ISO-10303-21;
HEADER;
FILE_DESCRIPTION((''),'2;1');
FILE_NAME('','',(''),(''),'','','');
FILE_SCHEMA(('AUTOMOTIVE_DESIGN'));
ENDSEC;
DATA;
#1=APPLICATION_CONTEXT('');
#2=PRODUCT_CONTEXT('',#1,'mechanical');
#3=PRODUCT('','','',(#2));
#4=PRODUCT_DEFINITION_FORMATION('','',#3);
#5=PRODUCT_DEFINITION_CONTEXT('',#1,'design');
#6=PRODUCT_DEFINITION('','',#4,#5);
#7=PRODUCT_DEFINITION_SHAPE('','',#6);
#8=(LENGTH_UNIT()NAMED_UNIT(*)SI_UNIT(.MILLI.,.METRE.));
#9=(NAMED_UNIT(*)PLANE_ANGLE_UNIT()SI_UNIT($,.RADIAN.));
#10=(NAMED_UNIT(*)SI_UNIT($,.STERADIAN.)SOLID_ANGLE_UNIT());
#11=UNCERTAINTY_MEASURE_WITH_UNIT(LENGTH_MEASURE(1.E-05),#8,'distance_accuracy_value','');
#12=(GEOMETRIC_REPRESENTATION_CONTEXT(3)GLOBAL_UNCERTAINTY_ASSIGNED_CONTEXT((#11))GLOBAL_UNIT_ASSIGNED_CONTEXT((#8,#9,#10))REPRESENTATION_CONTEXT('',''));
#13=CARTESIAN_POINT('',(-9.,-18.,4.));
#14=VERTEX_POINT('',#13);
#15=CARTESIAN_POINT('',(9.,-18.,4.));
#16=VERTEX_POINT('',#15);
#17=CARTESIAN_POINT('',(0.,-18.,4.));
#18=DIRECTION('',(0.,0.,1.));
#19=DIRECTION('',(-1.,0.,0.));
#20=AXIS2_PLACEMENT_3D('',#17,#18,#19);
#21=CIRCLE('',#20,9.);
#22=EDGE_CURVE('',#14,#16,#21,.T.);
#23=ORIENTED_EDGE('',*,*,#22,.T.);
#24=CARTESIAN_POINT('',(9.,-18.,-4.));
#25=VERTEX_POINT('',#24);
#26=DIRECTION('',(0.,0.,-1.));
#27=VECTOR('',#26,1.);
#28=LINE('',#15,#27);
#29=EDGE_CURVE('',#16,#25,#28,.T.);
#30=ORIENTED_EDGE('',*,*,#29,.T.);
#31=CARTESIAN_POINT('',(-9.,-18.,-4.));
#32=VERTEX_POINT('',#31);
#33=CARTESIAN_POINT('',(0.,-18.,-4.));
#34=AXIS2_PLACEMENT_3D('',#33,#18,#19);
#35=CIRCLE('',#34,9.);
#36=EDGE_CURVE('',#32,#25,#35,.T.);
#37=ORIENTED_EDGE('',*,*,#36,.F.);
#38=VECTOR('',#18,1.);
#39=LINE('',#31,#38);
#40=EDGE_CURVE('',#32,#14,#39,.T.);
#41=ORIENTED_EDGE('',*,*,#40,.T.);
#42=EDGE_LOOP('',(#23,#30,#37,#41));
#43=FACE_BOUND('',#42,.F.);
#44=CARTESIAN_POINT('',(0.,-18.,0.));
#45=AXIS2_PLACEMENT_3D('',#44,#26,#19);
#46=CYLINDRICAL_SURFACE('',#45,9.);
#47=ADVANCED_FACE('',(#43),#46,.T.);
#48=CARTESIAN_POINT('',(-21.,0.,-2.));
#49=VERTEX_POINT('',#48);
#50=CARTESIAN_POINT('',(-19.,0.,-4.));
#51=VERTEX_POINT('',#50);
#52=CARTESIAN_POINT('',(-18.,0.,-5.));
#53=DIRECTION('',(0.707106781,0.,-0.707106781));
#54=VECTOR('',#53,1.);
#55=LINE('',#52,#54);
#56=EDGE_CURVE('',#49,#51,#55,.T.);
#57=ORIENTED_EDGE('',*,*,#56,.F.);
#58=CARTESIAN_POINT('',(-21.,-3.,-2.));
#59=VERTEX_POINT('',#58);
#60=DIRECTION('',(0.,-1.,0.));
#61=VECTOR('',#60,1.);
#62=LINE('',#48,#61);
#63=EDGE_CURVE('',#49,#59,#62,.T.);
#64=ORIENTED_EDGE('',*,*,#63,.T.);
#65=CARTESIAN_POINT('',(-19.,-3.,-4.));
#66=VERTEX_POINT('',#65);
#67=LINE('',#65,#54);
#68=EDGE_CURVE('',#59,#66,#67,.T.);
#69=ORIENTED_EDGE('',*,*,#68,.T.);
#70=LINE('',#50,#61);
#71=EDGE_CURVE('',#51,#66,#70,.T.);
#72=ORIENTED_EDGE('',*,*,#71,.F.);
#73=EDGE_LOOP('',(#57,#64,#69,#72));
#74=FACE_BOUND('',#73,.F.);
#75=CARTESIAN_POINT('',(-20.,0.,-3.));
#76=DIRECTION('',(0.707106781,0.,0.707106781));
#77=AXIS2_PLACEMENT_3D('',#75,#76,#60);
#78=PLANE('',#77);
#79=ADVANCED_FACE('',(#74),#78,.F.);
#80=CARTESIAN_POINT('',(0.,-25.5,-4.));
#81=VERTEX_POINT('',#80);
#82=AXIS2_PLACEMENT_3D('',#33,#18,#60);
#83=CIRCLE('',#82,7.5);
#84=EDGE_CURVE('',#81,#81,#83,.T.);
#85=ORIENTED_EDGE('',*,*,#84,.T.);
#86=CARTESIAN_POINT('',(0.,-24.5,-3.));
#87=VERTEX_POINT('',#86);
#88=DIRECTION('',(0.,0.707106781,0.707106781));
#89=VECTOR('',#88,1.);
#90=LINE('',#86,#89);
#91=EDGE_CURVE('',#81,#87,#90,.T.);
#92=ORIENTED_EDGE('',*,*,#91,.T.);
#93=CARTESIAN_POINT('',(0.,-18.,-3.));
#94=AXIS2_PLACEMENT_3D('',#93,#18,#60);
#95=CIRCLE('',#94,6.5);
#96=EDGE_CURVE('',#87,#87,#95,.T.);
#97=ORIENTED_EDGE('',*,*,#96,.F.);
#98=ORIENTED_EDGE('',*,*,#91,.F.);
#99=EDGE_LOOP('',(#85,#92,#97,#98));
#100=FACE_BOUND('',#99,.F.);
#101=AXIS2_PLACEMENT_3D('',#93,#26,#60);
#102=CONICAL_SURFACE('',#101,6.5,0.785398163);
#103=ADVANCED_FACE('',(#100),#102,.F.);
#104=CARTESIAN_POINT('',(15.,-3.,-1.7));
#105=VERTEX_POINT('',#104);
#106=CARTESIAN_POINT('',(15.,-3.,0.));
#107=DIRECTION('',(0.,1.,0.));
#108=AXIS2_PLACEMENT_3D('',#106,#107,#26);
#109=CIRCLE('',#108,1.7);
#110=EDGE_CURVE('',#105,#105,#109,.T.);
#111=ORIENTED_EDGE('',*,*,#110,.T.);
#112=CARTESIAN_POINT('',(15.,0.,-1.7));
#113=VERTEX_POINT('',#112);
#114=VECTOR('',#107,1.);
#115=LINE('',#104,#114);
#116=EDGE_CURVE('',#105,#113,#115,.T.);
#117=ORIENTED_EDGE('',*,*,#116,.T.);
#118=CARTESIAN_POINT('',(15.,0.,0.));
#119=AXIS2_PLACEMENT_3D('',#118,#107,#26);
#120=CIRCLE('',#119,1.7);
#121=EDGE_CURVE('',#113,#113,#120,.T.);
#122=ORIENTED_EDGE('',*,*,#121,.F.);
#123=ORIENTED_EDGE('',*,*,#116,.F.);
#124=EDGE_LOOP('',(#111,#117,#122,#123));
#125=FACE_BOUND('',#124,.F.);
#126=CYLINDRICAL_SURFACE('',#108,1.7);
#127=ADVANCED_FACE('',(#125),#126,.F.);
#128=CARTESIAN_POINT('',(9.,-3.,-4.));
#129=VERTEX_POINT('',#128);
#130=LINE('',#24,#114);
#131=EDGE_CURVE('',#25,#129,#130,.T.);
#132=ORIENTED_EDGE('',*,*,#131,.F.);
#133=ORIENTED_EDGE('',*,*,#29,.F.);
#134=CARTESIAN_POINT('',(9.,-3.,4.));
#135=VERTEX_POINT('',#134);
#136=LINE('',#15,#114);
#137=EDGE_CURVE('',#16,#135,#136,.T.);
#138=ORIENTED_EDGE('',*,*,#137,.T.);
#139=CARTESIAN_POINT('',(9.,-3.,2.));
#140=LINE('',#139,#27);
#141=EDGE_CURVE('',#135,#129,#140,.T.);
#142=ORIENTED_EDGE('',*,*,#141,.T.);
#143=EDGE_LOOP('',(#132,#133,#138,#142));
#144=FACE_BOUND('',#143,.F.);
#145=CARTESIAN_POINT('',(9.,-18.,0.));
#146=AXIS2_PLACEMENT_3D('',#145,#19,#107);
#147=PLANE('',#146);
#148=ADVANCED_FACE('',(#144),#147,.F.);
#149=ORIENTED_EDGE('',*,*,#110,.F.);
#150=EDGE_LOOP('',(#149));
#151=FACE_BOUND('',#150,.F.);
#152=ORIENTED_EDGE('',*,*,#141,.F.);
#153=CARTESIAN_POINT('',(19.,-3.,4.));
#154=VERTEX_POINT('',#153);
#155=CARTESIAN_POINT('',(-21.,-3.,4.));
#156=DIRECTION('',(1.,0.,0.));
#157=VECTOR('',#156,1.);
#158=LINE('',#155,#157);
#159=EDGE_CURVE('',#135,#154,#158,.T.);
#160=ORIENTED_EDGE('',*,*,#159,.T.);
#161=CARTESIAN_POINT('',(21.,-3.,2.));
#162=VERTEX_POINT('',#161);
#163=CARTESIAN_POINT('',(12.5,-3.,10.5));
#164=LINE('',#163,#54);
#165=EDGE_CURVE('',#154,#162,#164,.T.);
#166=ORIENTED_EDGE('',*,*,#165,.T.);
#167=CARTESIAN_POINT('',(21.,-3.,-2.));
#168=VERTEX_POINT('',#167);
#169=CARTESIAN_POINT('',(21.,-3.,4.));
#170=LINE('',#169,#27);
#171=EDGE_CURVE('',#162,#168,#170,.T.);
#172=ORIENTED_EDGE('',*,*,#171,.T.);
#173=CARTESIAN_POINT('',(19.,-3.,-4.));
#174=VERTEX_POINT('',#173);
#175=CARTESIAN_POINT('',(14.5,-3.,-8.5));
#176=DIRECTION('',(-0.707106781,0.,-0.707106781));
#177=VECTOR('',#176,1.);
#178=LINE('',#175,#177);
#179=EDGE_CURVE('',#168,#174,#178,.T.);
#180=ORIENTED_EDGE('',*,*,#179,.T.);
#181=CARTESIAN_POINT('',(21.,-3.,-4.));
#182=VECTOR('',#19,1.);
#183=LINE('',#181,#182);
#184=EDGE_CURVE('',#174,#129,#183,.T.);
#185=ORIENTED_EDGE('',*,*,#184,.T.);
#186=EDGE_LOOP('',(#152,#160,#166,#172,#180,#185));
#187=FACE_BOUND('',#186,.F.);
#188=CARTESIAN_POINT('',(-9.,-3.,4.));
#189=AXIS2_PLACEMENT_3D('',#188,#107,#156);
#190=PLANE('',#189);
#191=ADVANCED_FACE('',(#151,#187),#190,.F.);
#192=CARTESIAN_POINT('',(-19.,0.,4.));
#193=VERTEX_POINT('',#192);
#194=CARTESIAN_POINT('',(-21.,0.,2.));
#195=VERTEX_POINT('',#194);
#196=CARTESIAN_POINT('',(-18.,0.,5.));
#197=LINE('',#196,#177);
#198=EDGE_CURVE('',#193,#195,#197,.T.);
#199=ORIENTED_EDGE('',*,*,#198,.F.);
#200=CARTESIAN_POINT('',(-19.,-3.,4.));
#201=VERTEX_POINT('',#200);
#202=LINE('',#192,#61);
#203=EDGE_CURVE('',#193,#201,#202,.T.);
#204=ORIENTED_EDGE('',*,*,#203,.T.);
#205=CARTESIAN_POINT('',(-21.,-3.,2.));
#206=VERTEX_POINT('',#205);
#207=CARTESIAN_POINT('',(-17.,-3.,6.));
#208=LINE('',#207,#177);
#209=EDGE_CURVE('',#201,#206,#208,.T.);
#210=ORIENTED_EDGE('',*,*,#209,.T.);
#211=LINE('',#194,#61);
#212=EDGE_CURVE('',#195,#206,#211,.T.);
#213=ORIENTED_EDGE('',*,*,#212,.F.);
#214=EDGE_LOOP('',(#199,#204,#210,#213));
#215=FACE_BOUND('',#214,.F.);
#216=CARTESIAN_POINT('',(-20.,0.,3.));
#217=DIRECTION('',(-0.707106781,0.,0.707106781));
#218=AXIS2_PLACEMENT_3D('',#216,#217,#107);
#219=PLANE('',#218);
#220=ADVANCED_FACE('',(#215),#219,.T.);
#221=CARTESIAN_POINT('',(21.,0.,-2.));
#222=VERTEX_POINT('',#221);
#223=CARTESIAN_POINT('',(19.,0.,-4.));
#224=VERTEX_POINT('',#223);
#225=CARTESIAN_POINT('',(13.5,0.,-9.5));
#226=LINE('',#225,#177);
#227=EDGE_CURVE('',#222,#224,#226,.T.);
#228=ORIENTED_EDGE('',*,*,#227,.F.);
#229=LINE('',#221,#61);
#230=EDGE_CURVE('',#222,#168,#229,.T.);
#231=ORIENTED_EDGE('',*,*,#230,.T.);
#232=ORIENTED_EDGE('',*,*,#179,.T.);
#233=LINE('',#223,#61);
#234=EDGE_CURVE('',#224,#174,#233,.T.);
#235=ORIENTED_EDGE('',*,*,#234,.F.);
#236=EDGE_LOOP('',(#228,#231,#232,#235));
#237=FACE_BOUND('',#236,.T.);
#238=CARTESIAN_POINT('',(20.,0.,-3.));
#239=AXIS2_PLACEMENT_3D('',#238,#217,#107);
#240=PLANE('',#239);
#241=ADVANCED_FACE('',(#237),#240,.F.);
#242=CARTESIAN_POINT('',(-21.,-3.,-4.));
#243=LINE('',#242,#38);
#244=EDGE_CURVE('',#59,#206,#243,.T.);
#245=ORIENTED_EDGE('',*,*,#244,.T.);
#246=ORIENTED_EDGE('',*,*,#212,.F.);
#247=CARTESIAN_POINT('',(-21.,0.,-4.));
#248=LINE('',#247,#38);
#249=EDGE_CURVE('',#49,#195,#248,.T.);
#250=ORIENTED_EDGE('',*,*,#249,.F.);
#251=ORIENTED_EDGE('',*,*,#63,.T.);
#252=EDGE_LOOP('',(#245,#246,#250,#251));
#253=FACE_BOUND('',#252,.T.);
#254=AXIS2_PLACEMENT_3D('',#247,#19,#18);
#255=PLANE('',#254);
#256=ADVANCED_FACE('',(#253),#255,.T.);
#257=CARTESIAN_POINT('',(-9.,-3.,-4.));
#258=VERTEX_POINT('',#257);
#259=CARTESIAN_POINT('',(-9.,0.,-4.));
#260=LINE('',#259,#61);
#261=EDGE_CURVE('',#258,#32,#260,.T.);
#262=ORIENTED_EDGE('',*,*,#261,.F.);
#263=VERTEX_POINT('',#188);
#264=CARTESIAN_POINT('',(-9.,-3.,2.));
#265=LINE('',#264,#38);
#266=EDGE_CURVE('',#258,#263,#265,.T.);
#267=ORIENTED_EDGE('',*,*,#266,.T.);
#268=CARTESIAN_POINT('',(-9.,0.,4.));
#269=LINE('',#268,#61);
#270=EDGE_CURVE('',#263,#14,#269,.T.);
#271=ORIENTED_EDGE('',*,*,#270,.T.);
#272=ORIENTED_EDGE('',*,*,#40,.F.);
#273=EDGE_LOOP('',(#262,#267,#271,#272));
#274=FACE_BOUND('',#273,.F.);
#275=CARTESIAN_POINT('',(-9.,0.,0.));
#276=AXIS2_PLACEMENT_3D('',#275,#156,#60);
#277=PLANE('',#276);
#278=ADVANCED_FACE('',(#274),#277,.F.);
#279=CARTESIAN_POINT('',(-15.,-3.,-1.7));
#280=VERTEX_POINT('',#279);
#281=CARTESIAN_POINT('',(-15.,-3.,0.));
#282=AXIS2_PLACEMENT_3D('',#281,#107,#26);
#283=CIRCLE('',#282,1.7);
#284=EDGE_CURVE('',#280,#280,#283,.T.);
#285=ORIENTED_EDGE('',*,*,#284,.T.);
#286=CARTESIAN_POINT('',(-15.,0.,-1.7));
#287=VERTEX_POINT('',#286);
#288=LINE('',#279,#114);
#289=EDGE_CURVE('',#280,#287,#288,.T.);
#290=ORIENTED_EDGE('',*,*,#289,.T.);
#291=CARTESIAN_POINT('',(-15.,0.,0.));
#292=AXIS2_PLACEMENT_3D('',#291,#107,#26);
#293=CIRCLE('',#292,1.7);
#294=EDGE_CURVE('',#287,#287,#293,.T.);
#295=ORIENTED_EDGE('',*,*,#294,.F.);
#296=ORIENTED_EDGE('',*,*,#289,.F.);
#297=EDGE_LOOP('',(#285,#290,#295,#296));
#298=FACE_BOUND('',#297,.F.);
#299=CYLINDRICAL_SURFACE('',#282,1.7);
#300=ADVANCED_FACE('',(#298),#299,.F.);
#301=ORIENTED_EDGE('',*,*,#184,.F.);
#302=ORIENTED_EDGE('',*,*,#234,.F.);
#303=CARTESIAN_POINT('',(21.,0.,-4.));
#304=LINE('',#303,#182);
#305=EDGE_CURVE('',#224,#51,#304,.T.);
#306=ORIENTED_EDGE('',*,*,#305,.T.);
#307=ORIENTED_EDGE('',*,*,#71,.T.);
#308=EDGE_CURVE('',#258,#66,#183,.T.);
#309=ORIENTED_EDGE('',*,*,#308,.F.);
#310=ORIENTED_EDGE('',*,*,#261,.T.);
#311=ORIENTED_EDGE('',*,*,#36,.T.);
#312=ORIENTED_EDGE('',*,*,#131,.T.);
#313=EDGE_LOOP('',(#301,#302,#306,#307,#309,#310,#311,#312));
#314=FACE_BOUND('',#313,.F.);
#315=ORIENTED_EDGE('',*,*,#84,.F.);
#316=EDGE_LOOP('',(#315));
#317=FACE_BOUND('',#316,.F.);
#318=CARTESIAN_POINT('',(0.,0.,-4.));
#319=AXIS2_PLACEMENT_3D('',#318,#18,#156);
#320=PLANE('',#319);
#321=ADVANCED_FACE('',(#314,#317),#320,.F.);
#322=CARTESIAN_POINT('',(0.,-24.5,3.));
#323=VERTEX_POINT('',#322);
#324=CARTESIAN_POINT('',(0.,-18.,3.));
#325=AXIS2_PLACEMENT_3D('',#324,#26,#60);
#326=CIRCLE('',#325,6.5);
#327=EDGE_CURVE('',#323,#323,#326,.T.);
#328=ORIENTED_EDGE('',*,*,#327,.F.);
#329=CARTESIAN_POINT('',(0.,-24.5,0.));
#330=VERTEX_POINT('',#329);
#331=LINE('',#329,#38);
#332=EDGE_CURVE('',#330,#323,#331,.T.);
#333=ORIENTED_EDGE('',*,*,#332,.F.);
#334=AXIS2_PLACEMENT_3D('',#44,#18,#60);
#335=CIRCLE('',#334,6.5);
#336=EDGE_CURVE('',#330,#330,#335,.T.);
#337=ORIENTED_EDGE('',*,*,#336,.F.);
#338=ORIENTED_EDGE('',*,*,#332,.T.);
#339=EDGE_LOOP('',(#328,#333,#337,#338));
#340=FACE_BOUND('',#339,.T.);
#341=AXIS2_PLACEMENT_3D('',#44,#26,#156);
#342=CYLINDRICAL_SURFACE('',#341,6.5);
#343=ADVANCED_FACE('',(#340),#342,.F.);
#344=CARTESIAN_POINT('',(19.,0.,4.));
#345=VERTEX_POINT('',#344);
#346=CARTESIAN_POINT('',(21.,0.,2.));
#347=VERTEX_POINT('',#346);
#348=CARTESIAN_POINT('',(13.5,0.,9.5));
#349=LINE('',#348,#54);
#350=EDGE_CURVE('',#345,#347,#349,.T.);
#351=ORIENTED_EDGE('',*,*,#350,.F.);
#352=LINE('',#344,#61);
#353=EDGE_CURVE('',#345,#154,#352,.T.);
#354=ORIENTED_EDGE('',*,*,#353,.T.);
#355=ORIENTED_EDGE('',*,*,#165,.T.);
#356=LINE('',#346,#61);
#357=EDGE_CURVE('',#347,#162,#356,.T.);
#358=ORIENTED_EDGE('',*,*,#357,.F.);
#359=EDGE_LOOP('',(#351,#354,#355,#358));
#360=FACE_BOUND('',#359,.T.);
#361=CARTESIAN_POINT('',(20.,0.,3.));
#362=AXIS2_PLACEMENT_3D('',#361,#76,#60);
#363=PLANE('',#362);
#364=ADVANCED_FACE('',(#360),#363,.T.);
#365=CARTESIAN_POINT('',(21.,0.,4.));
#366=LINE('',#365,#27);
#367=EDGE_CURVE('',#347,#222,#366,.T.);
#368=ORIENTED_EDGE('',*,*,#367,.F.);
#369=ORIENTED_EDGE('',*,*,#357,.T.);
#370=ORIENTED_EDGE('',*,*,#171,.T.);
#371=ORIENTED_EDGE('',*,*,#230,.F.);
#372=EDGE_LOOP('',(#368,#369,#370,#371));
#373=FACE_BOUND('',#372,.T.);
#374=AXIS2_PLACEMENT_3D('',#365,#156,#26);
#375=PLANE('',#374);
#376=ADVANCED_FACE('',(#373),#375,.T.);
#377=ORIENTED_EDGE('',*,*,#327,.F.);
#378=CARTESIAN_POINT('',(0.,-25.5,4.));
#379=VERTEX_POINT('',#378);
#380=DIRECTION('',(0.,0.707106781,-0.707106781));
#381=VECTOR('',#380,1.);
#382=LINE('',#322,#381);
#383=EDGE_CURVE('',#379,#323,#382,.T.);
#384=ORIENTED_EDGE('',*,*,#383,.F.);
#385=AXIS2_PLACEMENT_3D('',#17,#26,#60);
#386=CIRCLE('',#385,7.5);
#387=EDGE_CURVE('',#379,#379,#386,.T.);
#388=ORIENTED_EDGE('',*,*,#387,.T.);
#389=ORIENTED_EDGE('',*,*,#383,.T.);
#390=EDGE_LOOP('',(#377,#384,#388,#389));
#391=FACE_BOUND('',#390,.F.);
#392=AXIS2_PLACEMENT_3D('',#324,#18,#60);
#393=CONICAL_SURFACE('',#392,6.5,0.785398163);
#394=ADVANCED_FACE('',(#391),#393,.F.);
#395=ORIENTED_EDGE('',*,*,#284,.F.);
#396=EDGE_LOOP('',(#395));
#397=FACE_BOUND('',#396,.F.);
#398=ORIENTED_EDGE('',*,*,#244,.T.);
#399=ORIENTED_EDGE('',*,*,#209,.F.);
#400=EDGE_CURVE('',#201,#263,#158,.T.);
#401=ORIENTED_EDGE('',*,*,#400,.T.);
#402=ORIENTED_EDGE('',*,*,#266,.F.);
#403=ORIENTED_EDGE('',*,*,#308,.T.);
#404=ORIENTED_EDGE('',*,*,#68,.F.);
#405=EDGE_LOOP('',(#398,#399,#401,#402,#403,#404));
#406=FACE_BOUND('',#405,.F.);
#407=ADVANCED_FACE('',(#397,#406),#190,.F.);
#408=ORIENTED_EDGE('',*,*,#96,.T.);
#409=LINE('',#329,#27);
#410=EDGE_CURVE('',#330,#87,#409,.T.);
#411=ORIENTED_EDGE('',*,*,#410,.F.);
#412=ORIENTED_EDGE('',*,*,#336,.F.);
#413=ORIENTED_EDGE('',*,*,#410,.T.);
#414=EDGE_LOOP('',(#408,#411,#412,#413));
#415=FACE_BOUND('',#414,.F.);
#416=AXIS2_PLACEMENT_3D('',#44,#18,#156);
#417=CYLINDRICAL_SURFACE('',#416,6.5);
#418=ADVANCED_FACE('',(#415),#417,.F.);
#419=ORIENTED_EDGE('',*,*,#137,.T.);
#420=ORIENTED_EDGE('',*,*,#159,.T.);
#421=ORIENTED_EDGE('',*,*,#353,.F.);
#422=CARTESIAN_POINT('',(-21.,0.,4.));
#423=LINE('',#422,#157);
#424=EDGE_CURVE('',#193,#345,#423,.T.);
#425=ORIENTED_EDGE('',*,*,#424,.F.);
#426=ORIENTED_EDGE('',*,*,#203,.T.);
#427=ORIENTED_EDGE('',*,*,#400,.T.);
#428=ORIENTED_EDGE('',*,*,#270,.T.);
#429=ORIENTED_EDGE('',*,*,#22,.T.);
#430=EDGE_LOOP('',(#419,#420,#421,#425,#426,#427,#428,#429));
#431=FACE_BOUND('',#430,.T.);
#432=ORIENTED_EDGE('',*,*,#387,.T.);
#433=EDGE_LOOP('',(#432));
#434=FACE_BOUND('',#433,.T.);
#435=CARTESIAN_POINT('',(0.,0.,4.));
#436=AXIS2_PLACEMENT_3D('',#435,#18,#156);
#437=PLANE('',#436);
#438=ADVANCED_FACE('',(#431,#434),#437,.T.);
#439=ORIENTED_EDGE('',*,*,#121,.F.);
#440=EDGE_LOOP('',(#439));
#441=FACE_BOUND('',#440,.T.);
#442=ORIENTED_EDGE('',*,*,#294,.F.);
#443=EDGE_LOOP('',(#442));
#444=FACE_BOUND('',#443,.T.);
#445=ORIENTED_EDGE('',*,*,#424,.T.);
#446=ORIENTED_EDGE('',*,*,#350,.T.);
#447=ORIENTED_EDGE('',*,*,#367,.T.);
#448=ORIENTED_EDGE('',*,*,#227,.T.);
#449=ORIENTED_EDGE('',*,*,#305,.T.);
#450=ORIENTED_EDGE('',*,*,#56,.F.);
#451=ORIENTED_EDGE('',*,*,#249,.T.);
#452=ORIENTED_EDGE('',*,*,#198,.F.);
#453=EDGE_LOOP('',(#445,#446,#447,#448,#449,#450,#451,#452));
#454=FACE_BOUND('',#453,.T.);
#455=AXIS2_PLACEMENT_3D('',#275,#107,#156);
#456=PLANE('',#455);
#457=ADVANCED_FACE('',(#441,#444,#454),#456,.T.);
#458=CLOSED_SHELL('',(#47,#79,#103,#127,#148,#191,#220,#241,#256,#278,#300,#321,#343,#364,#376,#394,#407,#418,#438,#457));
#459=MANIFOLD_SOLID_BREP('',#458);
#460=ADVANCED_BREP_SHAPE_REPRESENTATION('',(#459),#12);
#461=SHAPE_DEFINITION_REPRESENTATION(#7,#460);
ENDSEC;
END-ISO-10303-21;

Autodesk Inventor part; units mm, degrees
ref_plane "YZ Plane" through (0, 0, 0) normal (1, 0, 0) x (0, 1, 0)
ref_plane "XZ Plane" through (0, 0, 0) normal (0, 1, 0) x (-1, 0, 0)
ref_plane "XY Plane" through (0, 0, 0) normal (0, 0, 1) x (1, 0, 0)
sketch "Sketch2" plane through (0, 0, 0) normal (0, 0, 1) x (1, 0, 0)
  line L0 (0, 0) -> (0, -18) construction
  line L1 (-9, 0) -> (-9, -18)
  line L2 (9, -18) -> (9, 0)
  arc A0 (9, 0) -> (-9, 0) centre (0, 0) ccw construction
  arc A1 (-9, -18) -> (9, -18) centre (0, -18) ccw
  arc A2 (6.5, -18) -> (-6.5, -18) centre (0, -18) ccw
  circle A3 centre (0, -18) radius 5 construction
  line L3 (-9, 0) -> (9, 0)
  line L4 (9, -18) -> (6.5, -18)
  arc A4 (-6.5, -18) -> (0, -24.5) centre (0, -18) ccw
  arc A5 (0, -24.5) -> (6.5, -18) centre (0, -18) ccw
  line L5 (-6.5, -18) -> (-9, -18)
  line L6 (6.5, -18) -> (-6.5, -18) construction
  line L7 (9, -18) -> (6.5, -18)
  line L8 (-9, -18) -> (-6.5, -18)
  point P0 (0, -9)
  dimension "d2" = 2.5
  dimension "d3" = 10
  dimension "d4" = 1.5
  dimension "d5" = 18
extrude "Extrusion1" add sketch "Sketch2" along normal mid plane 8 contours L3 L2 L4 A2 L5 L1 | L5 A4 A5 L4 A1
sketch "Sketch3" plane through (-9, 0, 4) normal (0, 1, 0) x (1, 0, 0)
  line L0 (-12, 0) -> (30, 0)
  line L1 (30, 0) -> (30, 8)
  line L2 (30, 8) -> (-12, 8)
  line L3 (-12, 8) -> (-12, 0)
  line L4 (-12, 0) -> (30, 8) construction
  line L5 (30, 0) -> (-12, 8) construction
  line L6 (0, 8) -> (18, 8) projected
  line L7 (0, 8) -> (0, 0) projected
  point P0 (9, 4)
  dimension "d8" = 12
extrude "Extrusion2" add sketch "Sketch3" against normal blind 3
sketch "Sketch4" plane through (-9, -3, 4) normal (0, -1, 0) x (1, 0, 0)
  line L0 (18, -8) -> (0, -8) construction
  line L1 (-12, 0) -> (0, 0) construction
  line L2 (-12, -8) -> (-12, 0) construction
  line L3 (0, 0) -> (18, 0) construction
  line L4 (30, 0) -> (30, -8) construction
  line L5 (30, -8) -> (18, -8) construction
  line L6 (0, -8) -> (0, 0) construction
  line L7 (0, -8) -> (-12, -8) construction
  line L8 (18, 0) -> (30, 0) construction
  line L9 (18, 0) -> (18, -8) construction
  line L10 (0, 0) -> (0, -8) projected
  line L11 (0, 0) -> (-12, 0) projected
  line L12 (-12, 0) -> (-12, -8) projected
  line L13 (-12, -8) -> (0, -8) projected
  line L14 (18, -8) -> (18, 0) projected
  line L15 (18, -8) -> (30, -8) projected
  line L16 (30, -8) -> (30, 0) projected
  line L17 (30, 0) -> (18, 0) projected
  point P0 (-6, -4)
  point P1 (24, -4)
  point P2 (24, 0)
  point P3 (-6, 0)
  point P4 (30, -4)
  point P5 (30, -4)
hole "Hole1" at (-15, -3, 0) at (15, -3, 0) direction (0, 1, 0) diameter 3.4 end through all
chamfer "Chamfer2" distance 1 angle 45 2 edges at (0, -11.5, -4) (0, -11.5, 4)
chamfer "Chamfer3" distance 2 angle 45 4 edges at (-21, -1.5, -4) (-21, -1.5, 4) (21, -1.5, -4) (21, -1.5, 4)
properties part number "driver gear stopper"
